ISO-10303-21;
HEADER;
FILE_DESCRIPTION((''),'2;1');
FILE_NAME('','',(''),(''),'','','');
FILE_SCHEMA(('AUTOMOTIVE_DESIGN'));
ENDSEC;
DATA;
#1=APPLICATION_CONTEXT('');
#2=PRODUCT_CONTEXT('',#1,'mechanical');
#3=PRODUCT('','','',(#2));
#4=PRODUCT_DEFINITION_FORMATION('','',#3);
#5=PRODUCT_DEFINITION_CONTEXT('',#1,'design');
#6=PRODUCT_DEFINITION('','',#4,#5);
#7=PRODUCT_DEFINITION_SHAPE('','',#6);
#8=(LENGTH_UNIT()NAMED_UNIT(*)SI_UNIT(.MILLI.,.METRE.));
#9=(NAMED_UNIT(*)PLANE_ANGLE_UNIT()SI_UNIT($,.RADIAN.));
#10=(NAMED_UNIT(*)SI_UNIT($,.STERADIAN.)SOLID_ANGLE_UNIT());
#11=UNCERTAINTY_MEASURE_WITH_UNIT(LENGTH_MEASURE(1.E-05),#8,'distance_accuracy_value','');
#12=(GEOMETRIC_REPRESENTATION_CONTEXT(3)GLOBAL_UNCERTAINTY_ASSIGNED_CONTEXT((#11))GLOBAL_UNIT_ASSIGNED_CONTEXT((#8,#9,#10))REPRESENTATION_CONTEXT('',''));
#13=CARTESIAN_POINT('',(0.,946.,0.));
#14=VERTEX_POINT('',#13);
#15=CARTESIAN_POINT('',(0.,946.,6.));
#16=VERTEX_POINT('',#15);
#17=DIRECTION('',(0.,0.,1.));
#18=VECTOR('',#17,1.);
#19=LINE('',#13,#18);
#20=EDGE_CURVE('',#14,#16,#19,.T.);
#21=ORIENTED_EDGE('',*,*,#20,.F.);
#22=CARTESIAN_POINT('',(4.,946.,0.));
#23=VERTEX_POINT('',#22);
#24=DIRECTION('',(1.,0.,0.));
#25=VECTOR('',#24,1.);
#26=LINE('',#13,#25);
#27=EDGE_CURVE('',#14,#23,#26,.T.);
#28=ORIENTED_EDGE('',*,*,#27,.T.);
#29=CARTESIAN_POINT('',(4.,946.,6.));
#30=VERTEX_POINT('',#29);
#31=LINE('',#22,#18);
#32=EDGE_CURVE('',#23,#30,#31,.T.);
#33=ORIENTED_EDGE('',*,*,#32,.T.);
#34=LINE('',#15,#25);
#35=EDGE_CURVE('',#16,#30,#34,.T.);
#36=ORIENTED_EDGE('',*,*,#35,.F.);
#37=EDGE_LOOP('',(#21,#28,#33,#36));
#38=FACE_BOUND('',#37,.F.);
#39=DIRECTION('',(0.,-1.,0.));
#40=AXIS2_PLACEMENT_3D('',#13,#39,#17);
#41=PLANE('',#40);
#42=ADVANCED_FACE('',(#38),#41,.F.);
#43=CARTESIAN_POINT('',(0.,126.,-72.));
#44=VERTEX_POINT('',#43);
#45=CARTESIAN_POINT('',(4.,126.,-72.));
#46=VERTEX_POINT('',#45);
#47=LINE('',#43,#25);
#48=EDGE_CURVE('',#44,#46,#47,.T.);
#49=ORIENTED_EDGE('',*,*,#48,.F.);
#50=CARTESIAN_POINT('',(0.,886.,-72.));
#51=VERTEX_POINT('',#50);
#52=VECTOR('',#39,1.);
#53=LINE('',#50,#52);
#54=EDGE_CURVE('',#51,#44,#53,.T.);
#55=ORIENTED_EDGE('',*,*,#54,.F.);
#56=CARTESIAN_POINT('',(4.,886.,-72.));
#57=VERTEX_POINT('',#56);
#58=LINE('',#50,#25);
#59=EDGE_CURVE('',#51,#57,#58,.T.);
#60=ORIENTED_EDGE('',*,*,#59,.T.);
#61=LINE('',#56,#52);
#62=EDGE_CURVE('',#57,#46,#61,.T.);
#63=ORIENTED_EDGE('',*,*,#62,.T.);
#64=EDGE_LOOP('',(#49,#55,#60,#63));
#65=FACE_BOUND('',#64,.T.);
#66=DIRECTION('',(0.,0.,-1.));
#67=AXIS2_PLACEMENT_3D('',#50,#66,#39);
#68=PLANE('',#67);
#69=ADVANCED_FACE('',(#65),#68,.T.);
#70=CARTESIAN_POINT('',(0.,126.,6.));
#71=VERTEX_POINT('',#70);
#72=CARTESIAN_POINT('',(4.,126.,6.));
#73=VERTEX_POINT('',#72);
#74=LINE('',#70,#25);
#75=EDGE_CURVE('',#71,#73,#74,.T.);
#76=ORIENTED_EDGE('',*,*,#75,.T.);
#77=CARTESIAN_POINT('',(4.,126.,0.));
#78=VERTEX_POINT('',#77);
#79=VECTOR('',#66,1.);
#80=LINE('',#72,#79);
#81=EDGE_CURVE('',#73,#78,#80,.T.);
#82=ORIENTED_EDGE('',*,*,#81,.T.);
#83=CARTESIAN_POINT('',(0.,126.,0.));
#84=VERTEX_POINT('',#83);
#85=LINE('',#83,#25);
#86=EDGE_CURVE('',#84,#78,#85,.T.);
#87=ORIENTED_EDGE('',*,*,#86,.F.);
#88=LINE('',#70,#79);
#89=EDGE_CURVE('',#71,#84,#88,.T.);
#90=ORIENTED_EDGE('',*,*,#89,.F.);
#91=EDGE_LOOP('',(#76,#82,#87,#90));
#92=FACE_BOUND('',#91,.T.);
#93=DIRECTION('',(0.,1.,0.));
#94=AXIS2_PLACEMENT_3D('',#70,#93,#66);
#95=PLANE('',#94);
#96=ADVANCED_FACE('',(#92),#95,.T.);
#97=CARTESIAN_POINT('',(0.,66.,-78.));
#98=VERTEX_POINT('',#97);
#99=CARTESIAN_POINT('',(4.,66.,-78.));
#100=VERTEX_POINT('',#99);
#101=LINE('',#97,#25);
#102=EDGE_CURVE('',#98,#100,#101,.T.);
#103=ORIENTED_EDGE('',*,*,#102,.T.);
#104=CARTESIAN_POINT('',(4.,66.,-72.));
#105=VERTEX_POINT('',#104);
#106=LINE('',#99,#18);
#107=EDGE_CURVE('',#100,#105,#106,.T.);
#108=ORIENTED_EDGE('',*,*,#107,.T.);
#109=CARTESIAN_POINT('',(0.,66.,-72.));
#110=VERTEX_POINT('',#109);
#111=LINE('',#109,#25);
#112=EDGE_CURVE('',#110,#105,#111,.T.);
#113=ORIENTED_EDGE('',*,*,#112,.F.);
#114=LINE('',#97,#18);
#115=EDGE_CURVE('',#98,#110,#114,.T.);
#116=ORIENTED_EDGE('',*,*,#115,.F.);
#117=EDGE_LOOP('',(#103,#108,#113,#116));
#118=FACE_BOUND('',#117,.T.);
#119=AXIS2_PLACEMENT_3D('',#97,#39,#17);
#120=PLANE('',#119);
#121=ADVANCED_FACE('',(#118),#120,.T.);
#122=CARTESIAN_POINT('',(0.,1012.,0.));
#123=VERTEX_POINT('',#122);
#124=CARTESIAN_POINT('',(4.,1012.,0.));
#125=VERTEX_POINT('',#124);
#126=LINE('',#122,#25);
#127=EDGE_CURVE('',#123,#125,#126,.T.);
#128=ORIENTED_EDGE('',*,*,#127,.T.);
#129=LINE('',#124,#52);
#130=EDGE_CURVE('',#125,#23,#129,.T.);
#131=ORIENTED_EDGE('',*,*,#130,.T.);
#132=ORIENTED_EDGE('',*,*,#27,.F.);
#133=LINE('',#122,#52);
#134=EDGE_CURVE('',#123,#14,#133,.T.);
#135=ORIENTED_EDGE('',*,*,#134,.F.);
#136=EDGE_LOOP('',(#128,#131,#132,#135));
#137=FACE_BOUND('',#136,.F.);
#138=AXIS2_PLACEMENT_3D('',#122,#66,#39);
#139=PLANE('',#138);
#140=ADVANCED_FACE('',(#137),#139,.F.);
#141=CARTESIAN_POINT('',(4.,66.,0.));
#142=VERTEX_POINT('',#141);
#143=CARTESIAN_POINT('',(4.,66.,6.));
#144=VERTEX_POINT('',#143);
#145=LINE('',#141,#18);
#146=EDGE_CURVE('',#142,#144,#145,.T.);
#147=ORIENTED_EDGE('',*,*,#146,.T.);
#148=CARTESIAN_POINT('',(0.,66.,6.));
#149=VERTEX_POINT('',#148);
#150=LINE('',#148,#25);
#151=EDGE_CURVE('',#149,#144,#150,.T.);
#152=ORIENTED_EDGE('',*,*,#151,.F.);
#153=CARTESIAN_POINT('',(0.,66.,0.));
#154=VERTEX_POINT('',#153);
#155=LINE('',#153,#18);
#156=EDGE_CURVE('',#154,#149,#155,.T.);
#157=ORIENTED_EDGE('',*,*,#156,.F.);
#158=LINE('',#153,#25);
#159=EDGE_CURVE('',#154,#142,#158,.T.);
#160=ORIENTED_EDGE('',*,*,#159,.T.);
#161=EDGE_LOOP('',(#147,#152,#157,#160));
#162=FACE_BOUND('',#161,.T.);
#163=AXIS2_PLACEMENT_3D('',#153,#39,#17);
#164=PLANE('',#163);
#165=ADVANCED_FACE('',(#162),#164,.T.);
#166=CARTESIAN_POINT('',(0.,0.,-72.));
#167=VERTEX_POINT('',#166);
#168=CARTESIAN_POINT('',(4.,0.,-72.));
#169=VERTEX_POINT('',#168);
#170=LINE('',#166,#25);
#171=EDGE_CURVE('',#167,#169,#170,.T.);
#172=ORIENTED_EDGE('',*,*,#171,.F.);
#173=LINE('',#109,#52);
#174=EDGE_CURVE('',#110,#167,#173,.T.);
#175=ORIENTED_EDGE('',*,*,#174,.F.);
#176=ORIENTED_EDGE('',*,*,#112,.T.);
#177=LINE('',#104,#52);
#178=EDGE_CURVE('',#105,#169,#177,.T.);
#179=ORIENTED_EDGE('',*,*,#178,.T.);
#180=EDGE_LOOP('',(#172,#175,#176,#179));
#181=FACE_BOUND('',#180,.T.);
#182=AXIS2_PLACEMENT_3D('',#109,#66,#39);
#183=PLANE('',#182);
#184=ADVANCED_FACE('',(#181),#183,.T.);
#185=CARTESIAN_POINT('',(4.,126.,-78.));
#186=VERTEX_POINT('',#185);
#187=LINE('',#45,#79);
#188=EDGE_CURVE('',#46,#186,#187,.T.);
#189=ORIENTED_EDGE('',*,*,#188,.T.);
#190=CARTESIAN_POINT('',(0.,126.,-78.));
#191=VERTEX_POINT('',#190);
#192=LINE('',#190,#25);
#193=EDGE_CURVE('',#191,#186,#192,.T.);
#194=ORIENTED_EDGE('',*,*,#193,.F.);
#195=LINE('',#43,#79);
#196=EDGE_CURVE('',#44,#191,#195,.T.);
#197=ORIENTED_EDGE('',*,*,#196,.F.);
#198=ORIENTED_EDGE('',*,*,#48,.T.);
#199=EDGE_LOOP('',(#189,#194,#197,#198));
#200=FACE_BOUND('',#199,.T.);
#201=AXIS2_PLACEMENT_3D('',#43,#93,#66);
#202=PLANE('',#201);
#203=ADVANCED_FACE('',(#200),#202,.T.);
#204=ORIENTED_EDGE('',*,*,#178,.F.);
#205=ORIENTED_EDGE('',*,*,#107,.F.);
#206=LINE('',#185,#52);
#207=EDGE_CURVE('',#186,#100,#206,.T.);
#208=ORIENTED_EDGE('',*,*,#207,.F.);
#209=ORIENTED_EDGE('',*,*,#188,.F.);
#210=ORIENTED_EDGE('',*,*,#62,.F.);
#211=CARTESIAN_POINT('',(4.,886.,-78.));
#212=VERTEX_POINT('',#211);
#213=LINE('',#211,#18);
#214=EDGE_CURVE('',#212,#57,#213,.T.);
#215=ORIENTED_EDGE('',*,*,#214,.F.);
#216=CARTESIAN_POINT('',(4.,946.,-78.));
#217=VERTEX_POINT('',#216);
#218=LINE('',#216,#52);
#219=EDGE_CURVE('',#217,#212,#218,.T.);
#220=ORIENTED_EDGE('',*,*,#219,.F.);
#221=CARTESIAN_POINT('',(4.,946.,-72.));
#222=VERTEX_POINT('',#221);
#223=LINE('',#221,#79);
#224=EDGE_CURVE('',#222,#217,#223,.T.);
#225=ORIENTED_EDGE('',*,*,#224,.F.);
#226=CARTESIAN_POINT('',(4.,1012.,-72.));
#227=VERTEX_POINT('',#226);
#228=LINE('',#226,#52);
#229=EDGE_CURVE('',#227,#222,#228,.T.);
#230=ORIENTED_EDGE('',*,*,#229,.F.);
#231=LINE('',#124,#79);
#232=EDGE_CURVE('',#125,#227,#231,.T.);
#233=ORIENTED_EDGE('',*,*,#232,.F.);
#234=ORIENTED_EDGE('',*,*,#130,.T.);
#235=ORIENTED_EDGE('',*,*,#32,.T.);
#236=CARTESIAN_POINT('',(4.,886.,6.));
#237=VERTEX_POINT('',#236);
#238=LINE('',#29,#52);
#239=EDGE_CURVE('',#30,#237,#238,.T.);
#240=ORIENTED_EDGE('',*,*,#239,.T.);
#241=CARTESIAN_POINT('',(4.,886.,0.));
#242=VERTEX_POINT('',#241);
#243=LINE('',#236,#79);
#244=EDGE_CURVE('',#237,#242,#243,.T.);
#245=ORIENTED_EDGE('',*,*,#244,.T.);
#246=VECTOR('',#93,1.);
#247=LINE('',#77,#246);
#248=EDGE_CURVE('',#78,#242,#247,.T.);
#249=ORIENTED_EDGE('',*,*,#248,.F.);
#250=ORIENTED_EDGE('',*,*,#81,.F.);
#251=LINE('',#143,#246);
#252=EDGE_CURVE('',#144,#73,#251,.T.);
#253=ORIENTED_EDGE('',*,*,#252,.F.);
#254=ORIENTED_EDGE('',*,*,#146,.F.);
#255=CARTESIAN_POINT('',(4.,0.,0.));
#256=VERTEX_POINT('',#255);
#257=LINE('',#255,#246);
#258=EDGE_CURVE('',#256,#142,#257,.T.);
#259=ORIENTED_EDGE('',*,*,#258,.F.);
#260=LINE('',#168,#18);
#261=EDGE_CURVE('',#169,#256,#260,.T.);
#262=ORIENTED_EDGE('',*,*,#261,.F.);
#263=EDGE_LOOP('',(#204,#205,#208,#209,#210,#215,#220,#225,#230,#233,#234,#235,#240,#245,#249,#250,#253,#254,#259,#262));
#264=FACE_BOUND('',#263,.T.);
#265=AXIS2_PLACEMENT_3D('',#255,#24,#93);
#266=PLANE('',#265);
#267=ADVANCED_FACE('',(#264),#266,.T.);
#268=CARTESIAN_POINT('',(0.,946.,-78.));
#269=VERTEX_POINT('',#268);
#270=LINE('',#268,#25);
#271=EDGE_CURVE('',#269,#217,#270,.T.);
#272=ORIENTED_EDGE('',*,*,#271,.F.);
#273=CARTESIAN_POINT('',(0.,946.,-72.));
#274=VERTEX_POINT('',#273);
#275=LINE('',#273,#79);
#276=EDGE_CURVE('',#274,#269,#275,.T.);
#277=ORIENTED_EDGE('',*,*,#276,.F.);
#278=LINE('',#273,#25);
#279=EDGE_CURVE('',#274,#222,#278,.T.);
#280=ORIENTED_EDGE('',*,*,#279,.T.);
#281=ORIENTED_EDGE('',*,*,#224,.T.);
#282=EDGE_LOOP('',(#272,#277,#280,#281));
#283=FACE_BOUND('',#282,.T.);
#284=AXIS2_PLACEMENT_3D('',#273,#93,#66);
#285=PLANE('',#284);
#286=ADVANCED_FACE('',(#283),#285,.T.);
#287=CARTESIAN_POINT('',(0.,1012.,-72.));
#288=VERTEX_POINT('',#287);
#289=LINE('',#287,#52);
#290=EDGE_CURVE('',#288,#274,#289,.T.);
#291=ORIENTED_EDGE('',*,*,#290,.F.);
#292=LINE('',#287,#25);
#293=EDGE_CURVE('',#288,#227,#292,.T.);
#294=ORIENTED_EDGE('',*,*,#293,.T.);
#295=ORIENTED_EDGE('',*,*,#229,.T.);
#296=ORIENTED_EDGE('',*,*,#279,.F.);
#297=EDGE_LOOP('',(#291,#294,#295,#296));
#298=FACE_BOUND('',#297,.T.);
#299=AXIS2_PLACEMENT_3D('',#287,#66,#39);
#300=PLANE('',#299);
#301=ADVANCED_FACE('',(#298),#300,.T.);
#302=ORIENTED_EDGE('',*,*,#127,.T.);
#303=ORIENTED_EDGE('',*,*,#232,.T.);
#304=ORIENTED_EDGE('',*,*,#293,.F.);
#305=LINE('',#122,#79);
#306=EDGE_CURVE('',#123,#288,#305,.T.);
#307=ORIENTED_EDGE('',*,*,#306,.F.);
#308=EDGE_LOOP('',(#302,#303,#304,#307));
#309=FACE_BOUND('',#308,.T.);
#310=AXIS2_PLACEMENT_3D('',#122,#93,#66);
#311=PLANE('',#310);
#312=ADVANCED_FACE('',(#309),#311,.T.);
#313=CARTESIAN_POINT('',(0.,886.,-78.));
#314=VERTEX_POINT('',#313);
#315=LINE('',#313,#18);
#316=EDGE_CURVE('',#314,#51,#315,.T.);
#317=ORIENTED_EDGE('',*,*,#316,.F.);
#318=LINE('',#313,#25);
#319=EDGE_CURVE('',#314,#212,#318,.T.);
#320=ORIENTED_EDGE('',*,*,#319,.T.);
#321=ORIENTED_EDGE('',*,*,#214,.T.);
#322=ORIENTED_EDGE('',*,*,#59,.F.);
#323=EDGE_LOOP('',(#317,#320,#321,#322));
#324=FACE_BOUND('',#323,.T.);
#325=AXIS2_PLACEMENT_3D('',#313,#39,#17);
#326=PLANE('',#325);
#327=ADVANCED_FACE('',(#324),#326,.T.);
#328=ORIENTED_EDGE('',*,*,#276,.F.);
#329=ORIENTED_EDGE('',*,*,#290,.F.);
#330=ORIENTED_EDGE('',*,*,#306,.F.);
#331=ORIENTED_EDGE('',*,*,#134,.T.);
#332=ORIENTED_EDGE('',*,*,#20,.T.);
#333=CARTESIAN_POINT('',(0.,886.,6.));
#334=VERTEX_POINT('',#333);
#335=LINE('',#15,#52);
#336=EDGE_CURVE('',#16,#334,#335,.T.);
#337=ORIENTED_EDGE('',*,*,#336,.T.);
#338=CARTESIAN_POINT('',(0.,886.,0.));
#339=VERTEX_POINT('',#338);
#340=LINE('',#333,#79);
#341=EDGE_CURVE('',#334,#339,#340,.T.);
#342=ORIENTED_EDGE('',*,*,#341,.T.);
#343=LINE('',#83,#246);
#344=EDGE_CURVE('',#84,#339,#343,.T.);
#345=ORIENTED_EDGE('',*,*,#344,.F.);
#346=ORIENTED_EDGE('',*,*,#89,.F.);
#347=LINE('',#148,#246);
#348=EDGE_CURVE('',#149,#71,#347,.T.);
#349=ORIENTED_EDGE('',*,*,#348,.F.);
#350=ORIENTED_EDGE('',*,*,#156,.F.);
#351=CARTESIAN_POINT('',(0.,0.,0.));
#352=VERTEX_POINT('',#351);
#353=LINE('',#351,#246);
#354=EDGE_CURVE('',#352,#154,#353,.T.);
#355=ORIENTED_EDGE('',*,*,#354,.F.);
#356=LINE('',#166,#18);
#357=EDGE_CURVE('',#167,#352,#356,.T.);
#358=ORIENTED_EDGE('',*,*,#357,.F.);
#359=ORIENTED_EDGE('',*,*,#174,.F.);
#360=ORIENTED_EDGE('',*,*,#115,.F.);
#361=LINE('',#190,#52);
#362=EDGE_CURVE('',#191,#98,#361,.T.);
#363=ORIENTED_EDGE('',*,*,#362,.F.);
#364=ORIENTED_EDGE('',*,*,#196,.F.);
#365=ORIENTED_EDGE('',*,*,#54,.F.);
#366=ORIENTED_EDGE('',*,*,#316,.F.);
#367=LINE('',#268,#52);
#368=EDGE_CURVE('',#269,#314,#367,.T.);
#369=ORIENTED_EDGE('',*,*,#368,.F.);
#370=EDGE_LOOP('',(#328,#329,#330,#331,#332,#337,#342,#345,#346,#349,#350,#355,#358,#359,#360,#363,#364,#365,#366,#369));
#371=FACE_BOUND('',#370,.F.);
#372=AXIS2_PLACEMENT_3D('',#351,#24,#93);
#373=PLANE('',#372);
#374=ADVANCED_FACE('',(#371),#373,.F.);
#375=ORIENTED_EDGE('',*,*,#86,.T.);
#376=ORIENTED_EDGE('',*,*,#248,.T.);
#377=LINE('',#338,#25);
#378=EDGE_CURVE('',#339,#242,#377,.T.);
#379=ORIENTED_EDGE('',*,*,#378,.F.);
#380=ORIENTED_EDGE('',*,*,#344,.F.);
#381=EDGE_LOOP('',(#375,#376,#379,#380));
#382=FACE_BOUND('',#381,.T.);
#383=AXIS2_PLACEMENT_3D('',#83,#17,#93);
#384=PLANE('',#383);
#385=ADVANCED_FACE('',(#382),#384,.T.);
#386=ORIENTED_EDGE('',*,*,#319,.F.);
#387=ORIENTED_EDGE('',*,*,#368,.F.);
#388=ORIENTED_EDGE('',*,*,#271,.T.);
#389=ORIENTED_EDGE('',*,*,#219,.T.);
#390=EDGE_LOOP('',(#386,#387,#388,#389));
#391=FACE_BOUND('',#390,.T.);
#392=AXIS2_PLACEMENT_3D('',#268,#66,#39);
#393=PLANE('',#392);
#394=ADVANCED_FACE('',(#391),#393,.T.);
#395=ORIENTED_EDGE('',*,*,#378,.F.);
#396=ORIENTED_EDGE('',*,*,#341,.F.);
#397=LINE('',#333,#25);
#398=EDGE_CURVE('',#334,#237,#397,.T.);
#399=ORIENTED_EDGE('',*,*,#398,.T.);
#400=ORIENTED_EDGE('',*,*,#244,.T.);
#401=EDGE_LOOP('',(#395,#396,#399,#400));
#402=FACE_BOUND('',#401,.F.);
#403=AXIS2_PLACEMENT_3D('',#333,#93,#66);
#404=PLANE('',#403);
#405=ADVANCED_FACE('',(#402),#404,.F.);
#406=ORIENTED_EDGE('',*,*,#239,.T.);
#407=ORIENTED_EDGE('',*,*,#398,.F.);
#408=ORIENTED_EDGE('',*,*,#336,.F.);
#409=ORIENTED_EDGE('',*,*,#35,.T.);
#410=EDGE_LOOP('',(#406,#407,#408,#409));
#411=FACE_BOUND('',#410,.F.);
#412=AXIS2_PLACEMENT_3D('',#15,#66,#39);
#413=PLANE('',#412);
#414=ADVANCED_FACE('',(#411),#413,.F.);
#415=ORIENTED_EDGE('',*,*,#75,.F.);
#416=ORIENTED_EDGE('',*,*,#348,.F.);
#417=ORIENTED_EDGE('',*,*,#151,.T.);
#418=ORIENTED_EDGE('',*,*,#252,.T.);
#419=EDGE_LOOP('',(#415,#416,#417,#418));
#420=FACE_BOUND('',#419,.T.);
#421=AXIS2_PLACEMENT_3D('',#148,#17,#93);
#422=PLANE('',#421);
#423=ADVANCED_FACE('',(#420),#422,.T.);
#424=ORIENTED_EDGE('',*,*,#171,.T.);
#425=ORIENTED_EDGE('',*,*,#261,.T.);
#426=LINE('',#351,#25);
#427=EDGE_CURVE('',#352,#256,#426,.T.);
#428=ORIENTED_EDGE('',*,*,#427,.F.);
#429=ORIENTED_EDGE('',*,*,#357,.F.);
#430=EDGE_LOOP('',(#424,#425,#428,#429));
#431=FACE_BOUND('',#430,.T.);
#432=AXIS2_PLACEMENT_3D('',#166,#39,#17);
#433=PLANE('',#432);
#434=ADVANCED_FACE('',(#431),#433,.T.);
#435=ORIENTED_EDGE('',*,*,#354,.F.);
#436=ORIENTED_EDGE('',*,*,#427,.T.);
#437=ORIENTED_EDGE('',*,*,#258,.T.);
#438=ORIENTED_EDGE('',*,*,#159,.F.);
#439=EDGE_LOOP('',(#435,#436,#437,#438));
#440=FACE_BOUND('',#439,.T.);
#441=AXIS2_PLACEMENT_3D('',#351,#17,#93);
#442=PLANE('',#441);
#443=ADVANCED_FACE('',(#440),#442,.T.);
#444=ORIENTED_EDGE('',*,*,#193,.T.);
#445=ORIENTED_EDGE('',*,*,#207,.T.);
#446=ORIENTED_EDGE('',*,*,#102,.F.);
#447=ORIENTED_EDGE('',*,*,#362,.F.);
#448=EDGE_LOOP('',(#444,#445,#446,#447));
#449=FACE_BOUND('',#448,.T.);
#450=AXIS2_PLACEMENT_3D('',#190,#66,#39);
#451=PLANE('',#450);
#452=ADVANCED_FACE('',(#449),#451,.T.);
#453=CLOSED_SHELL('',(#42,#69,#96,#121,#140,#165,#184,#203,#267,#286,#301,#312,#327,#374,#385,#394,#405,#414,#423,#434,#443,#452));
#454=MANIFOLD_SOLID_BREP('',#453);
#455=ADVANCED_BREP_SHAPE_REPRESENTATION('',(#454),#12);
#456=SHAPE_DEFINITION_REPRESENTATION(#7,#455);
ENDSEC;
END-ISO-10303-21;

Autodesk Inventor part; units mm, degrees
ref_plane "YZ Plane" through (0, 0, 0) normal (1, 0, 0) x (0, 1, 0)
ref_plane "XZ Plane" through (0, 0, 0) normal (0, 1, 0) x (-1, 0, 0)
ref_plane "XY Plane" through (0, 0, 0) normal (0, 0, 1) x (1, 0, 0)
sketch "Esboço1" plane through (0, 0, 0) normal (1, 0, 0) x (0, 1, 0)
  line L0 (1012, 0) -> (1012, -72)
  line L1 (0, -72) -> (0, 0)
  line L2 (1012, 0) -> (946, 0)
  line L3 (946, 0) -> (946, 6)
  line L4 (946, 6) -> (886, 6)
  line L5 (886, 6) -> (886, 0)
  line L6 (0, 0) -> (66, 0)
  line L7 (66, 0) -> (66, 6)
  line L8 (66, 6) -> (126, 6)
  line L9 (126, 6) -> (126, 0)
  line L10 (126, 0) -> (886, 0)
  line L11 (1012, -72) -> (946, -72)
  line L12 (946, -72) -> (946, -78)
  line L13 (946, -78) -> (886, -78)
  line L14 (886, -78) -> (886, -72)
  line L15 (886, -72) -> (126, -72)
  line L16 (126, -72) -> (126, -78)
  line L17 (126, -78) -> (66, -78)
  line L18 (66, -78) -> (66, -72)
  line L19 (66, -72) -> (0, -72)
  dimension "d1" = 72
  dimension "d2" = 66
  dimension "d3" = 6
  dimension "d4" = 60
  dimension "d7" = 6
  dimension "d8" = 6
  dimension "d9" = 60
  dimension "d10" = 66
  dimension "d11" = 6
  dimension "d12" = 66
  dimension "d13" = 6
  dimension "d14" = 60
  dimension "d17" = 1012
extrude "Extrusão1" add sketch "Esboço1" along normal blind 4
sketch "Esboço2" plane through (4, 0, 0) normal (1, 0, 0) x (0, 0, -1)
  point P0 (0, 0)
properties part number "FUNDO CONTRA"
